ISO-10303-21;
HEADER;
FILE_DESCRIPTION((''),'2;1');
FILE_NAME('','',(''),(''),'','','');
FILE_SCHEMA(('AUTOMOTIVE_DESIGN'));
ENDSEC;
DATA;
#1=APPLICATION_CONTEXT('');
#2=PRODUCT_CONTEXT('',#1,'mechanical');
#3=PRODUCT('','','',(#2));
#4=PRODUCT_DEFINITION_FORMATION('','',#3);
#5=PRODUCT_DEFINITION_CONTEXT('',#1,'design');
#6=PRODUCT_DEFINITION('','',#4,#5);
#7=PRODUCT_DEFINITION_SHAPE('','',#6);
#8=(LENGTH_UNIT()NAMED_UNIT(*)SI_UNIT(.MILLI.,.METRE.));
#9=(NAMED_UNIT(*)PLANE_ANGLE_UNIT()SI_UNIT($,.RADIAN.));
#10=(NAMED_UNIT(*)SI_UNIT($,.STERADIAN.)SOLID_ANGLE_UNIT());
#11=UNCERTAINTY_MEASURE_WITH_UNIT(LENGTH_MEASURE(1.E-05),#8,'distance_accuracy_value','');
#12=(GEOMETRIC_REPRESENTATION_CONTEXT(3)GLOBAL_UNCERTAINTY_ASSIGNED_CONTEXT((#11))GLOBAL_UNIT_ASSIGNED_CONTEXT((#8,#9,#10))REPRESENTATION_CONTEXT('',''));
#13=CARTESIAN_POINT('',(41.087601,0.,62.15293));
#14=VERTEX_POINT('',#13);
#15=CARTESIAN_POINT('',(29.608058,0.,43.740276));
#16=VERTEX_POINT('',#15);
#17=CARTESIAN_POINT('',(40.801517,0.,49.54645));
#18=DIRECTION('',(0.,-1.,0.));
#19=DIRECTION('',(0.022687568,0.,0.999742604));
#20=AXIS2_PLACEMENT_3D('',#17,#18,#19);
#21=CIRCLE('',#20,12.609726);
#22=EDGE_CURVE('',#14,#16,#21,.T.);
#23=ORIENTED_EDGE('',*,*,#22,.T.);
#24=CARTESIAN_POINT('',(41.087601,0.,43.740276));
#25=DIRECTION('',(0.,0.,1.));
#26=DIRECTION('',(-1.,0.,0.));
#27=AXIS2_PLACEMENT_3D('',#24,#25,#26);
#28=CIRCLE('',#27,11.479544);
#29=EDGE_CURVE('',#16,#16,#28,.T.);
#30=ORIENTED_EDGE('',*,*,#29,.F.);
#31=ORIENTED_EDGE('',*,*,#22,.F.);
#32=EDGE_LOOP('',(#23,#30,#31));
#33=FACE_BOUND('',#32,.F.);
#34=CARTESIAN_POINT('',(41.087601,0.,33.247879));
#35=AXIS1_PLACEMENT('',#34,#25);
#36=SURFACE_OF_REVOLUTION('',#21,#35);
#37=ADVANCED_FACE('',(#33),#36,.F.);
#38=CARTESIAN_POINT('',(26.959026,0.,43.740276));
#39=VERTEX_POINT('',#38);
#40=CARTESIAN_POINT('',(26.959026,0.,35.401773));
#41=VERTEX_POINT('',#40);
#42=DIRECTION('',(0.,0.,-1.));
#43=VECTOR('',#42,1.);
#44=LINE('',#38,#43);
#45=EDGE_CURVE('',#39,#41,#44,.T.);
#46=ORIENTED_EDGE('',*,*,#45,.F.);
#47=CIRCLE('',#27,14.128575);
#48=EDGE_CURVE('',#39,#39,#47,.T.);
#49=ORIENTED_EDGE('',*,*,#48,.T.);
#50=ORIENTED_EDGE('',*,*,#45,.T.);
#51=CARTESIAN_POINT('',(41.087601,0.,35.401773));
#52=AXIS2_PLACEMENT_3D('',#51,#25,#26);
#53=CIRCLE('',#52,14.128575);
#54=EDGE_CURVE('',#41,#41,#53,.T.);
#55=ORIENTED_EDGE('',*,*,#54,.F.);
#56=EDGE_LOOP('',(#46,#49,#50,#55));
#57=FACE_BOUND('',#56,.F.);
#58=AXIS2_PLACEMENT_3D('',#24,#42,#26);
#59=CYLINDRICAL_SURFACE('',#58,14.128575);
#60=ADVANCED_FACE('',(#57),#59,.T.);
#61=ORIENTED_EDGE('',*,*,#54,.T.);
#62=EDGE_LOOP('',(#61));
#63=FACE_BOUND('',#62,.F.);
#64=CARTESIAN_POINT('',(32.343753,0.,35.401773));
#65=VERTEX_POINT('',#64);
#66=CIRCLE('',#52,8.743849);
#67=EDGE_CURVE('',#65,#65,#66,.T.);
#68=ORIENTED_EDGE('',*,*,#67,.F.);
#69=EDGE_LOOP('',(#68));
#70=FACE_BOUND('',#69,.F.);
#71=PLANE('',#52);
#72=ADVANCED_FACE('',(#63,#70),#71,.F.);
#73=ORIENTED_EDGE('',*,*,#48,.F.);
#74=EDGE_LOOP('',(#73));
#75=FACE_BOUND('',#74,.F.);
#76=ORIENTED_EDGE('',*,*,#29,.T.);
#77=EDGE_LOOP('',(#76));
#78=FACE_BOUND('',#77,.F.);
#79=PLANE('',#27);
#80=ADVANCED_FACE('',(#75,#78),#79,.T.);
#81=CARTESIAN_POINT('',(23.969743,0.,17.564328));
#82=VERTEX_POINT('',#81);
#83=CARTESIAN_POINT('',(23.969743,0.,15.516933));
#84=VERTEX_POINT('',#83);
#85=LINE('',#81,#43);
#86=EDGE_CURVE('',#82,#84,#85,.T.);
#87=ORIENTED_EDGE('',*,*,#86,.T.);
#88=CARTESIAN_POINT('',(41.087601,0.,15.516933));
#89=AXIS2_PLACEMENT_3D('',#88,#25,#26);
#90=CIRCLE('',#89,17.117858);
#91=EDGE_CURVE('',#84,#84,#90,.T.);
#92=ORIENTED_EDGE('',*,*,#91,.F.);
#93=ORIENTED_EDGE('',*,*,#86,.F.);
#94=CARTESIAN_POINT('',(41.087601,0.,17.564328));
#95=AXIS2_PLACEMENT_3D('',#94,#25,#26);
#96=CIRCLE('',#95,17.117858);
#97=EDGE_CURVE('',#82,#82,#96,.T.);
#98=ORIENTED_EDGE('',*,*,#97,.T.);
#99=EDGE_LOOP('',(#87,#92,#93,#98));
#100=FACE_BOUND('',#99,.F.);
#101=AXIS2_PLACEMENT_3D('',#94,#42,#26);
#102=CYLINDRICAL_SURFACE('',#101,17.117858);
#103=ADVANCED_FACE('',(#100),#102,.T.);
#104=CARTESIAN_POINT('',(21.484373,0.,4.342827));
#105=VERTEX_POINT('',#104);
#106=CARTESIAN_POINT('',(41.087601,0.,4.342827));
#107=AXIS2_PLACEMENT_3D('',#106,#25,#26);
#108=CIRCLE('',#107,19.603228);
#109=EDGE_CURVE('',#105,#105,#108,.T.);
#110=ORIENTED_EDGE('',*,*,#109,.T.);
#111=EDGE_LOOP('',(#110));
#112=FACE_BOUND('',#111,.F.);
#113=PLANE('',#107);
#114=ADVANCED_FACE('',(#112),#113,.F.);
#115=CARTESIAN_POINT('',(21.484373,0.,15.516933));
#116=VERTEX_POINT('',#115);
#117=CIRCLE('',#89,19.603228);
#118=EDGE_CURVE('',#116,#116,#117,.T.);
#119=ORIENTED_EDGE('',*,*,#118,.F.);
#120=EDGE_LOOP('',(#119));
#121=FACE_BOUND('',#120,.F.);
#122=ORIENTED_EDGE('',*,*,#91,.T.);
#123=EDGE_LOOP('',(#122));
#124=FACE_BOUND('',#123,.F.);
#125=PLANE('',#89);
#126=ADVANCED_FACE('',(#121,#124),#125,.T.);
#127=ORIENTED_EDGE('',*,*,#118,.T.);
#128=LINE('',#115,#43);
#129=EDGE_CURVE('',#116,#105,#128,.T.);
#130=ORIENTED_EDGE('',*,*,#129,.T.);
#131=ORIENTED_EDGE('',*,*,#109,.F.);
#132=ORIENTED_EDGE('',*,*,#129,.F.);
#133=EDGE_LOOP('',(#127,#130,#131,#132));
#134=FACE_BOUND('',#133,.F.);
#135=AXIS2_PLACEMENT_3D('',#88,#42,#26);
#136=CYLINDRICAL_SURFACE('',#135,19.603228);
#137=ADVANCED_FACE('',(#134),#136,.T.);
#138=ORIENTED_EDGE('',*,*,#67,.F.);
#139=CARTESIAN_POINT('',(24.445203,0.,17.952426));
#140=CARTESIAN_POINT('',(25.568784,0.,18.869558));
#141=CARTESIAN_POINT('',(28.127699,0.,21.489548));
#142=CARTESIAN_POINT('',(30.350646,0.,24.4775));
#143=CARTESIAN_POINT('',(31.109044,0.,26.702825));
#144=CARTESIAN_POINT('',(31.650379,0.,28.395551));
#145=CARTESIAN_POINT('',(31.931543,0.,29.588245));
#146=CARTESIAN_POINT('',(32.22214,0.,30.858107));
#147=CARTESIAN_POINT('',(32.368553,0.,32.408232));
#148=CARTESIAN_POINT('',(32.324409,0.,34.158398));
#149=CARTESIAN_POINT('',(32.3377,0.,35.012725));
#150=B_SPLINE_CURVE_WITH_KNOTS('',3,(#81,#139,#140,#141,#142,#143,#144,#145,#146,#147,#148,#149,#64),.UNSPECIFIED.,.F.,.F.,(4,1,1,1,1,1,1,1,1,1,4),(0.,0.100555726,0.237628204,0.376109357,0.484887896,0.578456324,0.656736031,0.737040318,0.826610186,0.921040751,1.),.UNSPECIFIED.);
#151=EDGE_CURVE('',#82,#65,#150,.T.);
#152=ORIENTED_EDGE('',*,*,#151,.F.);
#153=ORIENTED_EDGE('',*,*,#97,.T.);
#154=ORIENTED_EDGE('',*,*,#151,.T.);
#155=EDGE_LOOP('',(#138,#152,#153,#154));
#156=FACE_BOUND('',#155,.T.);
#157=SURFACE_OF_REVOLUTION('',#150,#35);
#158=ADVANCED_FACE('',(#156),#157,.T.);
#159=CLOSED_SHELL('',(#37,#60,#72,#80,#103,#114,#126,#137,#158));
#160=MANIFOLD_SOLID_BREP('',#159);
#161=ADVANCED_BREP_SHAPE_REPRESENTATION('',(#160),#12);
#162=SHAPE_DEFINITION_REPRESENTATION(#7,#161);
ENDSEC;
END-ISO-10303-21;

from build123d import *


with BuildPart() as f1:
    # F0 (on Front) → F1 (revolve)
    with BuildSketch(Plane.XZ):
        with BuildLine():
            Line((21.4843731374, 4.3428274803), (41.0876013339, 4.3428274803))
            Line((41.0876013339, 4.3428274803), (41.0876013339, 62.1529296041))
            ThreePointArc((41.0876013339, 62.1529296041), (30.1010892462, 56.2177329883), (29.6080578119, 43.7402762473))
            Line((29.6080578119, 43.7402762473), (26.9590262324, 43.7402762473))
            Line((26.9590262324, 43.7402762473), (26.9590262324, 35.4017727077))
            Line((26.9590262324, 35.4017727077), (32.3437526822, 35.4017727077))
            add(Edge.make_bspline(
                [(23.9697434008, 17.5643283874), (24.4452026127, 17.9524259038), (25.5687837688, 18.8695583209), (28.1276992622, 21.4895483235), (30.3506464307, 24.477499549), (31.1090443397, 26.7028247163), (31.6503786901, 28.3955510794), (31.931543292, 29.5882453803), (32.2221401703, 30.8581068175), (32.3685529921, 32.4082320019), (32.3244088201, 34.1583983403), (32.337700047, 35.012724676), (32.3437526822, 35.4017727077)],
                knots=[0, 0, 0, 0, 0.1005557256, 0.2376282036, 0.3761093569, 0.4848878958, 0.5784563238, 0.6567360311, 0.7370403182, 0.826610186, 0.921040751, 1, 1, 1, 1], degree=3))
            Line((23.9697434008, 17.5643283874), (23.9697434008, 15.5169330537))
            Line((23.9697434008, 15.5169330537), (21.4843731374, 15.5169330537))
            Line((21.4843731374, 15.5169330537), (21.4843731374, 4.3428274803))
        make_face()
    revolve(axis=Axis((41.0876013339, 0, 33.2478785422), (0, 0, 1)))


solid = f1.part
